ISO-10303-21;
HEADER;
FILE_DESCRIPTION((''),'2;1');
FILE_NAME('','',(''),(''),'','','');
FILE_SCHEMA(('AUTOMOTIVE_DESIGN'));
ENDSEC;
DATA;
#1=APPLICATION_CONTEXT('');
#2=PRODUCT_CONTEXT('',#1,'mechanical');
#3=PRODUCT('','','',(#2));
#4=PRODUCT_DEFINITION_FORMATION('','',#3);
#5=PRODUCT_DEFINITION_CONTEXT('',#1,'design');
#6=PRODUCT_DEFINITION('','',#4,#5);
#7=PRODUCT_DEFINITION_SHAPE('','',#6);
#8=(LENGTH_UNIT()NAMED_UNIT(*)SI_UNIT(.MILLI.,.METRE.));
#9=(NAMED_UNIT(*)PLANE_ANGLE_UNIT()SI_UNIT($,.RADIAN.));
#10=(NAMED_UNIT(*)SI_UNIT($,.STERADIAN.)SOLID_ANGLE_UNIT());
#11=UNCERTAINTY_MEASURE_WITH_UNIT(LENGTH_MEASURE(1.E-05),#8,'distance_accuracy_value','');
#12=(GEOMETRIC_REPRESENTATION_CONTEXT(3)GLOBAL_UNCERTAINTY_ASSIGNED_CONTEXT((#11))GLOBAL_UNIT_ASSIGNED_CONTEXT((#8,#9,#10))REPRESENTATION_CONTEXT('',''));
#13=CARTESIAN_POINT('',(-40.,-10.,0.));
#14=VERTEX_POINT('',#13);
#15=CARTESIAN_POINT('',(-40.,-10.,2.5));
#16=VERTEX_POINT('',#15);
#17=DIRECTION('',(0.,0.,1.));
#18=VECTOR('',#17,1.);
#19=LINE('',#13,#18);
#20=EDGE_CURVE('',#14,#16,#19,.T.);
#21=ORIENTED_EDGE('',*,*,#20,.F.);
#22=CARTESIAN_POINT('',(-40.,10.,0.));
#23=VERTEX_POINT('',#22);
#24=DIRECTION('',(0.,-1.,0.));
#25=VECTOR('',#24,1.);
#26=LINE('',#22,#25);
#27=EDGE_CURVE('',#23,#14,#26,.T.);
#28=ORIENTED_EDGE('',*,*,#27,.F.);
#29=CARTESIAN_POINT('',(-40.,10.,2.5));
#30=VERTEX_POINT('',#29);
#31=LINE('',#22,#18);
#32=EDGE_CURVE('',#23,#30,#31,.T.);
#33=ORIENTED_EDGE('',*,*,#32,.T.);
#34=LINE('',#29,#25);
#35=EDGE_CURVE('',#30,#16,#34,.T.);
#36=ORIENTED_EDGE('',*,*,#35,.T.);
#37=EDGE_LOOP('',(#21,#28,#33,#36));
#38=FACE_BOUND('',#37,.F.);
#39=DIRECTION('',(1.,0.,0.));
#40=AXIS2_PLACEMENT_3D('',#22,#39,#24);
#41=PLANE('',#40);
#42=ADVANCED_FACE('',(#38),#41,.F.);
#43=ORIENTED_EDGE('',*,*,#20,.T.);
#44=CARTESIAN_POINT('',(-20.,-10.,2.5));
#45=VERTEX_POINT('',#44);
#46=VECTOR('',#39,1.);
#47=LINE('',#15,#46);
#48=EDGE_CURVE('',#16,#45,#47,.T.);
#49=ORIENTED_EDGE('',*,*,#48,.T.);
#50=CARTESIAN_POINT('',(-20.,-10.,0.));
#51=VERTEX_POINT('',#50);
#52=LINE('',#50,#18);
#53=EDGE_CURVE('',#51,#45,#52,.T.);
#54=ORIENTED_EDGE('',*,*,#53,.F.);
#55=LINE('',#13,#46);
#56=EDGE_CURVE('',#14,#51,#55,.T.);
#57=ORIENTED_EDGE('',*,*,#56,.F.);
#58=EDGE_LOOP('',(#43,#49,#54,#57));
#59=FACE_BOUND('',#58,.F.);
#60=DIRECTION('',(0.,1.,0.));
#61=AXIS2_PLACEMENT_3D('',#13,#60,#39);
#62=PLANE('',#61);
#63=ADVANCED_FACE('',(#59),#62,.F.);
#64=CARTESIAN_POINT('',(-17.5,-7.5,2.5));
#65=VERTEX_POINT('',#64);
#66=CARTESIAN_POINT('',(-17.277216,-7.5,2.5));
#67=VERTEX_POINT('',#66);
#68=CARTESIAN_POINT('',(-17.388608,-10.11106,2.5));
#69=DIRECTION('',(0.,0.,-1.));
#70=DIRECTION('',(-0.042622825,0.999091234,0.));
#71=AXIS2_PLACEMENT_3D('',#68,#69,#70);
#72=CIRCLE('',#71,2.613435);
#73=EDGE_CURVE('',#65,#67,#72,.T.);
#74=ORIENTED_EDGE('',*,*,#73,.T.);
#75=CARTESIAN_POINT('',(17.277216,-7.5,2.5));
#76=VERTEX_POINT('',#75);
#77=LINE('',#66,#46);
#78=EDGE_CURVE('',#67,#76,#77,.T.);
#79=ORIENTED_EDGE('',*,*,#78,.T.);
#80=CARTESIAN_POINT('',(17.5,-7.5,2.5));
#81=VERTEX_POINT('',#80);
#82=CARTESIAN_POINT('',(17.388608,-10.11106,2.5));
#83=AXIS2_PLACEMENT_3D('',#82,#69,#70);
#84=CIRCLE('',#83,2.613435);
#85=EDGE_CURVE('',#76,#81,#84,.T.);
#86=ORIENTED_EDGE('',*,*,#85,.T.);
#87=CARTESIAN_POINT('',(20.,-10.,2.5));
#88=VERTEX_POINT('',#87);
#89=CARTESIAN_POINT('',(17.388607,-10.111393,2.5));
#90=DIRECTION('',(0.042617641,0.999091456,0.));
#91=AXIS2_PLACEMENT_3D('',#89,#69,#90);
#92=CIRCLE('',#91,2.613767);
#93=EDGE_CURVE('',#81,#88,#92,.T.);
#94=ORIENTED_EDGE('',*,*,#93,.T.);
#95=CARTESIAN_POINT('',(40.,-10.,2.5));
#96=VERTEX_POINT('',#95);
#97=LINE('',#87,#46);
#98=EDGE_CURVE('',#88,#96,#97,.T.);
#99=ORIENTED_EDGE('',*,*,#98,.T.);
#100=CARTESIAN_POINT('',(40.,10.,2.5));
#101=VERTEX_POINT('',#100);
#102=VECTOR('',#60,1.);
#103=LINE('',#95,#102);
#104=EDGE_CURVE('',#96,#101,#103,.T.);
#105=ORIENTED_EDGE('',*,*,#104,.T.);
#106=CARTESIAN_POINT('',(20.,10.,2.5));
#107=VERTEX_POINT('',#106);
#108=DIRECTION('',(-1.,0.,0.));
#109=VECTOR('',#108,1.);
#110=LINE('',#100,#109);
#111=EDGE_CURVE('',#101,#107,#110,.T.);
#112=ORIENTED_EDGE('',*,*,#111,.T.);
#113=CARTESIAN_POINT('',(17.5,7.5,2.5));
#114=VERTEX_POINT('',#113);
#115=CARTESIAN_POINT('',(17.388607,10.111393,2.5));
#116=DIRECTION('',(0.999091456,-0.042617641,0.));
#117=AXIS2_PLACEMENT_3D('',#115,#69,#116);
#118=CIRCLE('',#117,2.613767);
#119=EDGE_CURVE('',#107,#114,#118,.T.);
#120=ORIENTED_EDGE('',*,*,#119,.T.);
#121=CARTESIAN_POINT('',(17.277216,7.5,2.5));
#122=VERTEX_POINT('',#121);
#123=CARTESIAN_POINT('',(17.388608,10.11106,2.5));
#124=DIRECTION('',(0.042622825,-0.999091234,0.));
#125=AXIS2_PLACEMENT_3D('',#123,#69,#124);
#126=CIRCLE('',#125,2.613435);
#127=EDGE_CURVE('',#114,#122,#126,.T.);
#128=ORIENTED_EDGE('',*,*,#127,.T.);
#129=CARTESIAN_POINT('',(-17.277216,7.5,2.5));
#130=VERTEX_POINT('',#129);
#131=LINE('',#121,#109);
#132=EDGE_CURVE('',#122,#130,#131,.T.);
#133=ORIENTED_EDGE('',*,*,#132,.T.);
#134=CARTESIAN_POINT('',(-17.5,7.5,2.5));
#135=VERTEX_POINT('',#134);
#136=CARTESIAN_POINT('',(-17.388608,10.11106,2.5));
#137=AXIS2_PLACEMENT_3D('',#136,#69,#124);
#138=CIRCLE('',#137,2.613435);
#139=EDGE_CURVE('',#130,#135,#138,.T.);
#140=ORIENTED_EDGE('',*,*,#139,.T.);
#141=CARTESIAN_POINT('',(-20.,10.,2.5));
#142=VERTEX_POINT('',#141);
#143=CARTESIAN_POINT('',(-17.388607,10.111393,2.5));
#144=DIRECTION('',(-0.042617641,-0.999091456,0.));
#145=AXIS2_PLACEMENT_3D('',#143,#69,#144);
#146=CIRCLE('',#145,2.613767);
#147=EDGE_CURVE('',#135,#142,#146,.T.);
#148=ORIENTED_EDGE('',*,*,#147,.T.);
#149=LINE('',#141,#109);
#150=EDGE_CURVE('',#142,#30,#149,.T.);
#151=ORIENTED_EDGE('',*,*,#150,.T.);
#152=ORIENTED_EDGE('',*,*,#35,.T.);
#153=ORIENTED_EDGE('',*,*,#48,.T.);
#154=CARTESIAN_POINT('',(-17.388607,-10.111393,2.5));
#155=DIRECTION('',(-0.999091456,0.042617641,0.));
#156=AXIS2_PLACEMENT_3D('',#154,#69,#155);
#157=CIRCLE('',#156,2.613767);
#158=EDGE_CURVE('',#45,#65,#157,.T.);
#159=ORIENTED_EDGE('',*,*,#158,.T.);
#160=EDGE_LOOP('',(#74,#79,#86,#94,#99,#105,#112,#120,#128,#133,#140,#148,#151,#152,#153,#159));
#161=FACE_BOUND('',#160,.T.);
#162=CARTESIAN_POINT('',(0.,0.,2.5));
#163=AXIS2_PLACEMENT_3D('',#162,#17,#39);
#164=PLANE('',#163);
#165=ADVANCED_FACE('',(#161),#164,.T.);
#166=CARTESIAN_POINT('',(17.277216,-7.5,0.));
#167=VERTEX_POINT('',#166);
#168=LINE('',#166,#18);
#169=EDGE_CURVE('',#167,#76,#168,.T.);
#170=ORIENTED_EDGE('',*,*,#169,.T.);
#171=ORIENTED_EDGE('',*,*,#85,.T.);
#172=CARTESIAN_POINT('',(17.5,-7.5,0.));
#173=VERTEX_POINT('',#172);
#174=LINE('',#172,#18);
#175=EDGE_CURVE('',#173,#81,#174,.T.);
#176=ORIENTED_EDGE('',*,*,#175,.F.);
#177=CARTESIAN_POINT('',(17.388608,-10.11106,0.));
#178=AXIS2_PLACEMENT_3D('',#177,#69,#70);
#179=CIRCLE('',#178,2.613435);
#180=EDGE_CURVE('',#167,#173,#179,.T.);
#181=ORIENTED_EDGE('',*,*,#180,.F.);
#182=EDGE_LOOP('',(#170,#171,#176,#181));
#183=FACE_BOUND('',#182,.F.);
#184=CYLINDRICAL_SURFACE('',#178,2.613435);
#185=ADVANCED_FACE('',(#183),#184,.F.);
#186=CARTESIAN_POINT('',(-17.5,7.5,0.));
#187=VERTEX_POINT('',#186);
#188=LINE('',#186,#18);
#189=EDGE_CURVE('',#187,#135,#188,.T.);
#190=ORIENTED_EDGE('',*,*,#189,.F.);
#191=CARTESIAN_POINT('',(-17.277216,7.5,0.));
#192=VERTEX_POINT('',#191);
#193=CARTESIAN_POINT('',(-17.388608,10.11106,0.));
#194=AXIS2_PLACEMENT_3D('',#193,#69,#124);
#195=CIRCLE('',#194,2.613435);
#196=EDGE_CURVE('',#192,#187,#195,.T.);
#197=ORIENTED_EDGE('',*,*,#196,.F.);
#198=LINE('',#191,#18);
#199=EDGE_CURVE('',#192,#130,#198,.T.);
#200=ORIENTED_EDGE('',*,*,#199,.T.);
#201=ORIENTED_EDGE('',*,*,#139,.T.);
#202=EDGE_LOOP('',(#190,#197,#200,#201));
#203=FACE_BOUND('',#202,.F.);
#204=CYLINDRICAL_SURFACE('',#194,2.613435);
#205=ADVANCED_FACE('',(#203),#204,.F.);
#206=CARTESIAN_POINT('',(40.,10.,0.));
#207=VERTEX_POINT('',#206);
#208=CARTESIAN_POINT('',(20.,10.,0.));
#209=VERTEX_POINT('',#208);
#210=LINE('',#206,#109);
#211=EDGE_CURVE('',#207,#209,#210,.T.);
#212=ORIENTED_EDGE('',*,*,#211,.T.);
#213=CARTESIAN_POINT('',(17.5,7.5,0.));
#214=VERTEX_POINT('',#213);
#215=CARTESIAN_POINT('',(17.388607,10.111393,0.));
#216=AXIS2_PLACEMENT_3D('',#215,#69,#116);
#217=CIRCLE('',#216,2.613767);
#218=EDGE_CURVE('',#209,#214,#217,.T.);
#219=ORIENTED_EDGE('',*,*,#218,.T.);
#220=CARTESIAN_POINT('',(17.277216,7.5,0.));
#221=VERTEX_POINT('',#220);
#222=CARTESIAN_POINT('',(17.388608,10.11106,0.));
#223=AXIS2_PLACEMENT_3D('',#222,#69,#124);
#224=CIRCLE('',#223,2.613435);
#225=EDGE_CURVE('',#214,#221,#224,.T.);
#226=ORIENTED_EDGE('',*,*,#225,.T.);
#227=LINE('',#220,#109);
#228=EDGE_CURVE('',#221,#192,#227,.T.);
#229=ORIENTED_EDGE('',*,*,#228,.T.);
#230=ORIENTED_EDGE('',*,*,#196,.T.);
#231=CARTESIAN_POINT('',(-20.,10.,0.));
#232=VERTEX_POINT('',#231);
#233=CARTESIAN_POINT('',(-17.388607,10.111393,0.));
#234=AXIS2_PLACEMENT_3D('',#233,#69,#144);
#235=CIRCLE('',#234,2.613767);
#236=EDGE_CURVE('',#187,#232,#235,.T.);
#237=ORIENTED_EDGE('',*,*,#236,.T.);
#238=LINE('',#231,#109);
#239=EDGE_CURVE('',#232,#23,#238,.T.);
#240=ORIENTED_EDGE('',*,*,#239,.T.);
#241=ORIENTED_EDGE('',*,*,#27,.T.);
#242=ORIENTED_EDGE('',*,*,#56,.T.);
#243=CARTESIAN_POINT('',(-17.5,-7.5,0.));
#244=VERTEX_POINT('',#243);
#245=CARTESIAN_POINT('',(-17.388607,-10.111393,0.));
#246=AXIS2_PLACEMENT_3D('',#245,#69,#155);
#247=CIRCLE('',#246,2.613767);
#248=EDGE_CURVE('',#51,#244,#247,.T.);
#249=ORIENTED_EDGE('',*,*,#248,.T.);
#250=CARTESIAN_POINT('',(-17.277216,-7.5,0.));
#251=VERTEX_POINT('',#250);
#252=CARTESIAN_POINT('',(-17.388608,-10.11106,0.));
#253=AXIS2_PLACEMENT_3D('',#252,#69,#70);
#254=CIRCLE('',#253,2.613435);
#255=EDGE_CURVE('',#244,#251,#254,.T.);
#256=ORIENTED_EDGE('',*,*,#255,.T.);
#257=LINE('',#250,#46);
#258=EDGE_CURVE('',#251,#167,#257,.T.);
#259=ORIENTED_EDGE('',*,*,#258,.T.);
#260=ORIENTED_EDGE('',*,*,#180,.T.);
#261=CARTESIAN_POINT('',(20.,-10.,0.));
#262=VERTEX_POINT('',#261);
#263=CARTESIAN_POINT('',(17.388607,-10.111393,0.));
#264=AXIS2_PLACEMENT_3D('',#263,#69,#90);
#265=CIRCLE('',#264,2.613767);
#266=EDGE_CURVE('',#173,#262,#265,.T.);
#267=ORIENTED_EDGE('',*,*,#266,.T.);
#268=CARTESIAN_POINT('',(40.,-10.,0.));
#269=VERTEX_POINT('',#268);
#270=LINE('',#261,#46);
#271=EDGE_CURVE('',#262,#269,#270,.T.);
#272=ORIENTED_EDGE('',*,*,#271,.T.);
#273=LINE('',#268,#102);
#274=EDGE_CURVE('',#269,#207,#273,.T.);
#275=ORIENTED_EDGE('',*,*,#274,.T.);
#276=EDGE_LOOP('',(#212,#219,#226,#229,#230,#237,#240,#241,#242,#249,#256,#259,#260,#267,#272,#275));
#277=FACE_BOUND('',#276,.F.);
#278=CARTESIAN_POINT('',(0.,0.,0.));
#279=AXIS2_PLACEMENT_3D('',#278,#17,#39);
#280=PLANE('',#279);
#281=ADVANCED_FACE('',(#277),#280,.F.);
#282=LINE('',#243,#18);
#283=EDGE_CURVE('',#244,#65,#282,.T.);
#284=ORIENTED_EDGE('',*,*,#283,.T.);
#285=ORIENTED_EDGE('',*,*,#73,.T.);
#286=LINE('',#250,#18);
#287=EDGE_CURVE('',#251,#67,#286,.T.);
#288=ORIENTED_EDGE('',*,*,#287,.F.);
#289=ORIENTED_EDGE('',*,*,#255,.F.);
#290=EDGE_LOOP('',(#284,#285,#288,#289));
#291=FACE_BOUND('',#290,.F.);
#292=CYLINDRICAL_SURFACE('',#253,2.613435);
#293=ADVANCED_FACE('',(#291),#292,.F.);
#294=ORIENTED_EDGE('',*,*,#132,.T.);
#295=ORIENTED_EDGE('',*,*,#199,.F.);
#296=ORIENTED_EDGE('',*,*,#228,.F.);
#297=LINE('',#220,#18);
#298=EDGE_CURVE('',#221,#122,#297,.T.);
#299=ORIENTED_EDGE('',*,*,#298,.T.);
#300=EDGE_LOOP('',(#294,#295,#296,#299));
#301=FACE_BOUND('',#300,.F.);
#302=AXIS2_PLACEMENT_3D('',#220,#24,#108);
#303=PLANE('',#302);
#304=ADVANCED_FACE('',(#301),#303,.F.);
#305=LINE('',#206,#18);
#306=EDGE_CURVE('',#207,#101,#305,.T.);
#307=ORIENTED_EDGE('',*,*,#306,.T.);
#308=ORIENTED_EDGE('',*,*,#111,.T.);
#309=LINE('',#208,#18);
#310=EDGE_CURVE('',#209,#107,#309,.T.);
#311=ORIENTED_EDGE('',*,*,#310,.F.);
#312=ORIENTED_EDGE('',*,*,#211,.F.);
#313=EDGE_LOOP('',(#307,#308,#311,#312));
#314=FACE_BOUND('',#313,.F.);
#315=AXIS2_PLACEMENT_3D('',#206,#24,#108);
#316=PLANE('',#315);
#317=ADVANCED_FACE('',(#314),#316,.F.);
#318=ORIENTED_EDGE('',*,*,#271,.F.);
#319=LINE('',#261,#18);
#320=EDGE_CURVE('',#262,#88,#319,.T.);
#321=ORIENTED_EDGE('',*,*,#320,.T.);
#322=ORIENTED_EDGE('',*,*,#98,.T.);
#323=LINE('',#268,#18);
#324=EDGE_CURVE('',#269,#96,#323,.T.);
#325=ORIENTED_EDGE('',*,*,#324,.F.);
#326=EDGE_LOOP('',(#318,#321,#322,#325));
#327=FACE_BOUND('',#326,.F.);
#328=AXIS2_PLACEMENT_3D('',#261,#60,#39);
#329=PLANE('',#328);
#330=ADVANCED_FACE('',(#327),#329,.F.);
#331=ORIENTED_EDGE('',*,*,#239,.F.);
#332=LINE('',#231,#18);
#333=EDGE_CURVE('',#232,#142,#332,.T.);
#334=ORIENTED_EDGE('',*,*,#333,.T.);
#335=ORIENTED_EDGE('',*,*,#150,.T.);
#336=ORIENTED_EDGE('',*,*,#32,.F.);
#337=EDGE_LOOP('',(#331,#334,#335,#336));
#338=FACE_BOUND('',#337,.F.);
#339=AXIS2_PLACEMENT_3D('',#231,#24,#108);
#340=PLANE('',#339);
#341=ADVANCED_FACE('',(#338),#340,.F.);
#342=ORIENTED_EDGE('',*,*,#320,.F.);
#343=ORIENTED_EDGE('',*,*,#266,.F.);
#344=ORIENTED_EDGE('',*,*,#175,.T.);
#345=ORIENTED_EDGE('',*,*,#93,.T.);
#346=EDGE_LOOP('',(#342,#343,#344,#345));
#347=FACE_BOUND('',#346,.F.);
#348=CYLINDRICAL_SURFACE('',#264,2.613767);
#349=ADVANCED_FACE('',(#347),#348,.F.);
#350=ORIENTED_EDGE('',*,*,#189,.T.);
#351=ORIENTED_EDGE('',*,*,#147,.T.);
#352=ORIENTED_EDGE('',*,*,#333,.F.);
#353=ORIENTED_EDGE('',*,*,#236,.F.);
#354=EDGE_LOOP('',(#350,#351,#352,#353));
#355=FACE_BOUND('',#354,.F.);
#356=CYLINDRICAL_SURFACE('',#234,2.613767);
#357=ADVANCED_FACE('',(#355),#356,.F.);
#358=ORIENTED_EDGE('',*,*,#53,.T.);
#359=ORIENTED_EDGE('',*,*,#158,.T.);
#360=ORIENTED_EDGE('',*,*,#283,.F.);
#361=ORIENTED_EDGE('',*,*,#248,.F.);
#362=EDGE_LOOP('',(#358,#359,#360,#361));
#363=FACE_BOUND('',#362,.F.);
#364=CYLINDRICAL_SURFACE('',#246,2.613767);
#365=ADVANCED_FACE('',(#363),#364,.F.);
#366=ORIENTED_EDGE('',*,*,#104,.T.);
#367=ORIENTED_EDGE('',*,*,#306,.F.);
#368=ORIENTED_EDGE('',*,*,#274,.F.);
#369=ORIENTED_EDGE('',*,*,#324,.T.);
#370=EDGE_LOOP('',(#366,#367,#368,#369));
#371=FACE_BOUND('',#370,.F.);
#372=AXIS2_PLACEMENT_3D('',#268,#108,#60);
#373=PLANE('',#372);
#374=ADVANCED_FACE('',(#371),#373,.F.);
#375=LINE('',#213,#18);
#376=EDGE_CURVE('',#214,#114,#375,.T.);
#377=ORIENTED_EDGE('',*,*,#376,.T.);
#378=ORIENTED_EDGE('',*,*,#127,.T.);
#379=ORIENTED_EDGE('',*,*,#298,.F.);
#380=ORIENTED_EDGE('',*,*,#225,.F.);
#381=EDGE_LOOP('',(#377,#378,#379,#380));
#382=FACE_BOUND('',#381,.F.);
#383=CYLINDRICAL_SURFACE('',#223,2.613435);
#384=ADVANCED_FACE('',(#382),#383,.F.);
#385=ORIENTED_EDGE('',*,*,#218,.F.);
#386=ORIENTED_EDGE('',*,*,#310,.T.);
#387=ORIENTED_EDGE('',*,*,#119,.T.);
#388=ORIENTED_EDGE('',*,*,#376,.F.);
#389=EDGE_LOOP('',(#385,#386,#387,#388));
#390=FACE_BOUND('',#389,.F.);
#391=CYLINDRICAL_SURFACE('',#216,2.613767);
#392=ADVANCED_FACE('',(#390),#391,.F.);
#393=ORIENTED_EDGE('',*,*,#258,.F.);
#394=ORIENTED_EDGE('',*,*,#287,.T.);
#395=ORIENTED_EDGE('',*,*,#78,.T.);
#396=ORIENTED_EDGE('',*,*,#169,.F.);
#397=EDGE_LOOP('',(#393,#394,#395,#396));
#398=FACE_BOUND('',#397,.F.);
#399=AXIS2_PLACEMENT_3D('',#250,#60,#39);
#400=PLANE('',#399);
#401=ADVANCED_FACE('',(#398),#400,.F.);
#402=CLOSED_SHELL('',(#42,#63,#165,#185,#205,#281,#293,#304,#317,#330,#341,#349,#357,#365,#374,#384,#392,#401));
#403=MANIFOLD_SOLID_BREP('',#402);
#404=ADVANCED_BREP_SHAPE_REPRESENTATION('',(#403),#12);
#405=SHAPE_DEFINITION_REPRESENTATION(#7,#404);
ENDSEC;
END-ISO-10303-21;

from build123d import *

# Parameters (mm, degrees)
F1_DEPTH = 2.5


with BuildPart() as f1:
    # F0 (on Top) → F1 (new body)
    with BuildSketch(Plane.XY):
        with BuildLine():
            Line((40, -10), (40, 10))
            Line((40, 10), (20, 10))
            ThreePointArc((20, 10), (19.23682, 8.26318), (17.5, 7.5))
            ThreePointArc((17.5, 7.5), (17.388608, 7.497625), (17.277216, 7.5))
            Line((17.277216, 7.5), (-17.277216, 7.5))
            ThreePointArc((-17.277216, 7.5), (-17.388608, 7.497625), (-17.5, 7.5))
            ThreePointArc((-17.5, 7.5), (-19.23682, 8.26318), (-20, 10))
            Line((-20, 10), (-40, 10))
            Line((-40, 10), (-40, -10))
            Line((-40, -10), (-20, -10))
            ThreePointArc((-20, -10), (-19.23682, -8.26318), (-17.5, -7.5))
            ThreePointArc((-17.5, -7.5), (-17.388608, -7.497625), (-17.277216, -7.5))
            Line((-17.277216, -7.5), (17.277216, -7.5))
            ThreePointArc((17.277216, -7.5), (17.388608, -7.497625), (17.5, -7.5))
            ThreePointArc((17.5, -7.5), (19.23682, -8.26318), (20, -10))
            Line((20, -10), (40, -10))
        make_face()
    extrude(amount=F1_DEPTH)


solid = f1.part
